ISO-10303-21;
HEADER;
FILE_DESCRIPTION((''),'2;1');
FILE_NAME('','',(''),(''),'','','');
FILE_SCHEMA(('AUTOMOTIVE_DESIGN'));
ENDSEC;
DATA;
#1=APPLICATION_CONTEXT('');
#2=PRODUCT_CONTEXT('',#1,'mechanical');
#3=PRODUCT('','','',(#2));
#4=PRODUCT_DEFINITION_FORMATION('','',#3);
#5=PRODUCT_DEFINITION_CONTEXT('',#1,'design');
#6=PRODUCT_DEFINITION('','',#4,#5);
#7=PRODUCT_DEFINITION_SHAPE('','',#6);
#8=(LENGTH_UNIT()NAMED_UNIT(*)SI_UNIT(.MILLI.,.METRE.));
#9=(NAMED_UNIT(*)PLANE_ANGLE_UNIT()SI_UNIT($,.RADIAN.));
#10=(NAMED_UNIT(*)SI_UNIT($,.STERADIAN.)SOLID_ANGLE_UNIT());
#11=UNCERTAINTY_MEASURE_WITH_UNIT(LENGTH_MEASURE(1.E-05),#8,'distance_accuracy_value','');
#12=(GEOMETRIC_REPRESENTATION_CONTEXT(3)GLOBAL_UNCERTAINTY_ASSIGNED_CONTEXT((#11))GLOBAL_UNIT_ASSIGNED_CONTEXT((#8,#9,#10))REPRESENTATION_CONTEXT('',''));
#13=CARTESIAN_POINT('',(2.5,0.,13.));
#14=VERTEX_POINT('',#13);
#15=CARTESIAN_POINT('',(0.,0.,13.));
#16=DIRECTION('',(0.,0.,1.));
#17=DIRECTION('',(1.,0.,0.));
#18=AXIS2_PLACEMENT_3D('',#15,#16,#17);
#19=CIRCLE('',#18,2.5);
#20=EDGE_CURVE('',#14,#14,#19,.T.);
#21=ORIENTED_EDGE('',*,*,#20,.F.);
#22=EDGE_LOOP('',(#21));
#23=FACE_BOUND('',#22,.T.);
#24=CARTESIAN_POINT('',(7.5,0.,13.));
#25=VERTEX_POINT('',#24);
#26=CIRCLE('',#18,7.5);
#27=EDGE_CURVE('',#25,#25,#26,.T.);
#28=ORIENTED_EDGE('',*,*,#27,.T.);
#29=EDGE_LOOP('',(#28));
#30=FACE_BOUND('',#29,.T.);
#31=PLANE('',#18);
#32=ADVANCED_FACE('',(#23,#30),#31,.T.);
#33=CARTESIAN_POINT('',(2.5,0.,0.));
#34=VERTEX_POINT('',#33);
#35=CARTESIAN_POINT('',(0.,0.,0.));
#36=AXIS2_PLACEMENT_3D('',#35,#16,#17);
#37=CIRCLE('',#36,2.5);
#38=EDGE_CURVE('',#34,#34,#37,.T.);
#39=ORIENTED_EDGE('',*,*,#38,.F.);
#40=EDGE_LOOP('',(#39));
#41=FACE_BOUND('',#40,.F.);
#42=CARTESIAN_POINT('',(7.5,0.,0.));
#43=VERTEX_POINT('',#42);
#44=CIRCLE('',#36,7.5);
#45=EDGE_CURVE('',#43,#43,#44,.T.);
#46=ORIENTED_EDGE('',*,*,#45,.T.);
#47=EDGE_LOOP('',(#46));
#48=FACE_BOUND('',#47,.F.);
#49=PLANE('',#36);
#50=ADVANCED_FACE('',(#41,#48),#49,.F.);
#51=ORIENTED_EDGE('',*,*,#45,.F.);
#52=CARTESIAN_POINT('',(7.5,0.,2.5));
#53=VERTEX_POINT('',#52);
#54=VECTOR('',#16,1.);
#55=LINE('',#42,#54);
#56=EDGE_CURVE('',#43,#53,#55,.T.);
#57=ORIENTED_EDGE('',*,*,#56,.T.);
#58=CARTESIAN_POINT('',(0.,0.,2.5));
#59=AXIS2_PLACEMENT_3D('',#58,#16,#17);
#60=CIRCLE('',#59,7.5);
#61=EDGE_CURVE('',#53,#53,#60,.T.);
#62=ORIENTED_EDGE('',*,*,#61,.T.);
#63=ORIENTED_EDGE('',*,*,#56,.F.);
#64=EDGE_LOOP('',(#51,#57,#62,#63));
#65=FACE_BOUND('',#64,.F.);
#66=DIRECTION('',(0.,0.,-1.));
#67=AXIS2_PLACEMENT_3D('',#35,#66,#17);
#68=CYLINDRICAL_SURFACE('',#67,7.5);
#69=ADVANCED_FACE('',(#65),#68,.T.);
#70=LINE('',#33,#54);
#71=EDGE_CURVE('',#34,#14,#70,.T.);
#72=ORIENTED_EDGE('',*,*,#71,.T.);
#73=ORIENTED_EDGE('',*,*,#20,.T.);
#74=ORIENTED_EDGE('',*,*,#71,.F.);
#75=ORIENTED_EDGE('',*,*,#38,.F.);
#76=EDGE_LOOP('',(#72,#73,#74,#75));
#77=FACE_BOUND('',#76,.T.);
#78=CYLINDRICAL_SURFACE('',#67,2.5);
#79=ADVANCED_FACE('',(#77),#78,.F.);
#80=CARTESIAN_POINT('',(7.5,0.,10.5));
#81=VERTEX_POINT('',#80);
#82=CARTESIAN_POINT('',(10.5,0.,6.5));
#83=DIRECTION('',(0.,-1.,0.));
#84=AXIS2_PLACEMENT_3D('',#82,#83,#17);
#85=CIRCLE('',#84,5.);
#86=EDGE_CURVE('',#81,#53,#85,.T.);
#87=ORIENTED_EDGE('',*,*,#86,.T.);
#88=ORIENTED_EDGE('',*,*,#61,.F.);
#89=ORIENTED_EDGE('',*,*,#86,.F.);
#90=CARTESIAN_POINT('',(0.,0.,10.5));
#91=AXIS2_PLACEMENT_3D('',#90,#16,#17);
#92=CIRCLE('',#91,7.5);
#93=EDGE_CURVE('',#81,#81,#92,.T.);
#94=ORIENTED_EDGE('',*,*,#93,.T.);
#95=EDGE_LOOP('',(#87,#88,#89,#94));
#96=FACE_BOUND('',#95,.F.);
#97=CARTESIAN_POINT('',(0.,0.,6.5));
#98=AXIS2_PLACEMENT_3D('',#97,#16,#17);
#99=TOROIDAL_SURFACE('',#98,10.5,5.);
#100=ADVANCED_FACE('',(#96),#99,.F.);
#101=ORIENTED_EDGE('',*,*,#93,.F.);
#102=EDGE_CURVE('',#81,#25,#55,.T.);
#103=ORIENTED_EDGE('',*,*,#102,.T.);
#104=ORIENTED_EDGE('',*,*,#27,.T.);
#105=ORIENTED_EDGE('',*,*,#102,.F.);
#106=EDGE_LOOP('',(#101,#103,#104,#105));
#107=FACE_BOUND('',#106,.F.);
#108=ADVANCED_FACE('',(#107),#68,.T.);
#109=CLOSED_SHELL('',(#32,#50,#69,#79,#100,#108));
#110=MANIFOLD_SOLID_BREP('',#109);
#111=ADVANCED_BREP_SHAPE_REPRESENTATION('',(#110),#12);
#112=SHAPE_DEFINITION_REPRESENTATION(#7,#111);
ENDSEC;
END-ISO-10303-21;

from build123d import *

# Parameters (mm, degrees)
F0_R     = 7.5
F0_R_2   = 2.5
F1_DEPTH = 13


with BuildPart() as f1:
    # F0 (on Top) → F1 (new body)
    with BuildSketch(Plane.XY):
        Circle(F0_R)
        Circle(F0_R_2, mode=Mode.SUBTRACT)
    extrude(amount=F1_DEPTH)

    # F9: sweep along a path in F3
    with BuildLine(Plane.XY.offset(6.5)) as f9_path:
        CenterArc((0, 0), 5.5, 0, 360)
    # F8 (on Front) → F9 (sweep, cut)
    with BuildSketch(Plane.XZ):
        with BuildLine():
            Line((7.5, 2.5), (7.5, 10.5))
            ThreePointArc((7.5, 10.5), (5.5, 6.5), (7.5, 2.5))
        make_face()
    sweep(path=f9_path.line, mode=Mode.SUBTRACT)


solid = f1.part
